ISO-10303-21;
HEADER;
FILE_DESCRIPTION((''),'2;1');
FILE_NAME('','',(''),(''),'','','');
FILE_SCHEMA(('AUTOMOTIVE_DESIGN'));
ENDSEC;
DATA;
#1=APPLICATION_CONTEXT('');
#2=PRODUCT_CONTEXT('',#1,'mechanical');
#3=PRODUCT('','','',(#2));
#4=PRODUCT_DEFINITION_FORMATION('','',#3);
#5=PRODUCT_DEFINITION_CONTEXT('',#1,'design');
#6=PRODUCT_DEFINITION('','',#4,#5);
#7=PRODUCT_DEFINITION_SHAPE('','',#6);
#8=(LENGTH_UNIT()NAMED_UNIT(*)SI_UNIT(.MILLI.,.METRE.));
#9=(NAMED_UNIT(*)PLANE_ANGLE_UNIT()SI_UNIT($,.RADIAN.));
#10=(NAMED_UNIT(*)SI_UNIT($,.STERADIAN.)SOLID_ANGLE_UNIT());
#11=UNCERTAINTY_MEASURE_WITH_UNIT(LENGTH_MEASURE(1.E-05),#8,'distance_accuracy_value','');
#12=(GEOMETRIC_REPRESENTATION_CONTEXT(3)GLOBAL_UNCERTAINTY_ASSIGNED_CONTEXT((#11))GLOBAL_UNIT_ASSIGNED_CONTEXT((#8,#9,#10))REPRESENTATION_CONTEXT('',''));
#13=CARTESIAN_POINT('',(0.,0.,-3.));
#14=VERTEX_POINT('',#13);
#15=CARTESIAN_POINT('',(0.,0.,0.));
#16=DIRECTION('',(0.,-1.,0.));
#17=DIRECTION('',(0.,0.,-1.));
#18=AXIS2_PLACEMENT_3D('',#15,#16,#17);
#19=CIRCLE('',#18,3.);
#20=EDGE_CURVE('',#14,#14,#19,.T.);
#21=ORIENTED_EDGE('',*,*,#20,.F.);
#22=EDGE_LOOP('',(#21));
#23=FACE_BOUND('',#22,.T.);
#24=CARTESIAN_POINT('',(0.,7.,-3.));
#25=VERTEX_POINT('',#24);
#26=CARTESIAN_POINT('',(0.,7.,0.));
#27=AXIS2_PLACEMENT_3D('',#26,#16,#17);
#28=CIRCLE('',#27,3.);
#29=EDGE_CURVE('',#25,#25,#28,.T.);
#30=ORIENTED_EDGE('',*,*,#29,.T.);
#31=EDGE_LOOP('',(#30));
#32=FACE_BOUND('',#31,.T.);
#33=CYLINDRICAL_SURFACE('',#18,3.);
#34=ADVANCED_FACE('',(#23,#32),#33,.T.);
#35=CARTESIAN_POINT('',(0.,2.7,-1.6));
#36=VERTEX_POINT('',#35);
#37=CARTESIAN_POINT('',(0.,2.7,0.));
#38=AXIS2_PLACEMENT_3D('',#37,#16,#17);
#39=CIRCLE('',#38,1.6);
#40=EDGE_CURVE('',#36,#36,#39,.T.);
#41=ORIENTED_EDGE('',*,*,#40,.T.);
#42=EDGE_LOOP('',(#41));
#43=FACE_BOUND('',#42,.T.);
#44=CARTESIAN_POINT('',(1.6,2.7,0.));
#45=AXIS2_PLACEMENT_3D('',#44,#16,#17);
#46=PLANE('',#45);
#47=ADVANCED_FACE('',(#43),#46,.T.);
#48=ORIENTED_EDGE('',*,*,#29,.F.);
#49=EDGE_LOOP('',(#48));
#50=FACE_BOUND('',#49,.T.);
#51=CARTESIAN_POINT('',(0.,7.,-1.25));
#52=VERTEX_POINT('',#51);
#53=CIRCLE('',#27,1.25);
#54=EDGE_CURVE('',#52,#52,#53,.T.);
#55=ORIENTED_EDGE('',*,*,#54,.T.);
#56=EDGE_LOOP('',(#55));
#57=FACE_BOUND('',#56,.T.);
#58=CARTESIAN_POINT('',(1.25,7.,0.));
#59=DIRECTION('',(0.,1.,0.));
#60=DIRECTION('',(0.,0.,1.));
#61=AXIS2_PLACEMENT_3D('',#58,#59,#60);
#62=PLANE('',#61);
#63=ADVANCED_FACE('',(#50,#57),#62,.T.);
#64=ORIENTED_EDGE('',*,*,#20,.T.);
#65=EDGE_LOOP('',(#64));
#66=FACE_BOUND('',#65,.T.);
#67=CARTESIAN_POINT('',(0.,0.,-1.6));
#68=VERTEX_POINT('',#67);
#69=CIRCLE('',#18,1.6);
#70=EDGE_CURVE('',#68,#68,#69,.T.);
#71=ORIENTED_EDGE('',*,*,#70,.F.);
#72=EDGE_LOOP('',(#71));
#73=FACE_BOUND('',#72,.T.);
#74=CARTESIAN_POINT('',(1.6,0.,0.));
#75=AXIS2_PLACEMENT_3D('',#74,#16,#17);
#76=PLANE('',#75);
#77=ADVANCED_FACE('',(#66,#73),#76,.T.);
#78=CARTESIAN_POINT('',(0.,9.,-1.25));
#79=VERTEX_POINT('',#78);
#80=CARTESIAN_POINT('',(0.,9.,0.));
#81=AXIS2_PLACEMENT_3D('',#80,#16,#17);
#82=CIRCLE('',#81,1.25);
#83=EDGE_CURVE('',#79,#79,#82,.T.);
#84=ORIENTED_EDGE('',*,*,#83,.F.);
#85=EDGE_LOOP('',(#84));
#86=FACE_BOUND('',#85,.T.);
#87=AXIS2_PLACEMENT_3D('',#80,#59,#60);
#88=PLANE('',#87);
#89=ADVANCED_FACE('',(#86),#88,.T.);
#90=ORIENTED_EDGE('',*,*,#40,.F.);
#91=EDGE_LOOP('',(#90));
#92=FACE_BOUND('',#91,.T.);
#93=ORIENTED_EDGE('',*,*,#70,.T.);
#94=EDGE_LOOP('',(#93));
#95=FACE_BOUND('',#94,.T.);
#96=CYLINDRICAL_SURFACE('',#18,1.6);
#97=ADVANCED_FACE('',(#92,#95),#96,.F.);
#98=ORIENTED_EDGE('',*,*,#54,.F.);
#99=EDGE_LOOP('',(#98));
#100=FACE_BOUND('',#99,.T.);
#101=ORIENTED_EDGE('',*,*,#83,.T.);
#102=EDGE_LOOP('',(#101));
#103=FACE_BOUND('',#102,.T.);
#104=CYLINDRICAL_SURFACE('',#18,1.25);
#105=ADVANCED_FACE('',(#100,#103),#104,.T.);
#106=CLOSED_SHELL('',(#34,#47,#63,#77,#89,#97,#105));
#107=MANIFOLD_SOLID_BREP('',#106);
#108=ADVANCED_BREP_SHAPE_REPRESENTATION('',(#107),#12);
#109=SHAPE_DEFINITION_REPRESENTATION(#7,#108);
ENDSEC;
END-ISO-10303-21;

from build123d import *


with BuildPart() as part:
    # Esboço1 → Revolução1 (revolve)
    with BuildSketch(Plane.XY, mode=Mode.PRIVATE) as revolu_o1_sk:
        Polygon((0, 9), (0, 2.7), (1.6, 2.7), (1.6, 0), (3, 0), (3, 7), (1.25, 7), (1.25, 9), align=None)
    revolve(revolu_o1_sk.sketch.rotate(Axis((0, 0, 0), (0, 1, 0)), 90), axis=Axis((0, 0, 0), (0, 1, 0)))


solid = part.part
